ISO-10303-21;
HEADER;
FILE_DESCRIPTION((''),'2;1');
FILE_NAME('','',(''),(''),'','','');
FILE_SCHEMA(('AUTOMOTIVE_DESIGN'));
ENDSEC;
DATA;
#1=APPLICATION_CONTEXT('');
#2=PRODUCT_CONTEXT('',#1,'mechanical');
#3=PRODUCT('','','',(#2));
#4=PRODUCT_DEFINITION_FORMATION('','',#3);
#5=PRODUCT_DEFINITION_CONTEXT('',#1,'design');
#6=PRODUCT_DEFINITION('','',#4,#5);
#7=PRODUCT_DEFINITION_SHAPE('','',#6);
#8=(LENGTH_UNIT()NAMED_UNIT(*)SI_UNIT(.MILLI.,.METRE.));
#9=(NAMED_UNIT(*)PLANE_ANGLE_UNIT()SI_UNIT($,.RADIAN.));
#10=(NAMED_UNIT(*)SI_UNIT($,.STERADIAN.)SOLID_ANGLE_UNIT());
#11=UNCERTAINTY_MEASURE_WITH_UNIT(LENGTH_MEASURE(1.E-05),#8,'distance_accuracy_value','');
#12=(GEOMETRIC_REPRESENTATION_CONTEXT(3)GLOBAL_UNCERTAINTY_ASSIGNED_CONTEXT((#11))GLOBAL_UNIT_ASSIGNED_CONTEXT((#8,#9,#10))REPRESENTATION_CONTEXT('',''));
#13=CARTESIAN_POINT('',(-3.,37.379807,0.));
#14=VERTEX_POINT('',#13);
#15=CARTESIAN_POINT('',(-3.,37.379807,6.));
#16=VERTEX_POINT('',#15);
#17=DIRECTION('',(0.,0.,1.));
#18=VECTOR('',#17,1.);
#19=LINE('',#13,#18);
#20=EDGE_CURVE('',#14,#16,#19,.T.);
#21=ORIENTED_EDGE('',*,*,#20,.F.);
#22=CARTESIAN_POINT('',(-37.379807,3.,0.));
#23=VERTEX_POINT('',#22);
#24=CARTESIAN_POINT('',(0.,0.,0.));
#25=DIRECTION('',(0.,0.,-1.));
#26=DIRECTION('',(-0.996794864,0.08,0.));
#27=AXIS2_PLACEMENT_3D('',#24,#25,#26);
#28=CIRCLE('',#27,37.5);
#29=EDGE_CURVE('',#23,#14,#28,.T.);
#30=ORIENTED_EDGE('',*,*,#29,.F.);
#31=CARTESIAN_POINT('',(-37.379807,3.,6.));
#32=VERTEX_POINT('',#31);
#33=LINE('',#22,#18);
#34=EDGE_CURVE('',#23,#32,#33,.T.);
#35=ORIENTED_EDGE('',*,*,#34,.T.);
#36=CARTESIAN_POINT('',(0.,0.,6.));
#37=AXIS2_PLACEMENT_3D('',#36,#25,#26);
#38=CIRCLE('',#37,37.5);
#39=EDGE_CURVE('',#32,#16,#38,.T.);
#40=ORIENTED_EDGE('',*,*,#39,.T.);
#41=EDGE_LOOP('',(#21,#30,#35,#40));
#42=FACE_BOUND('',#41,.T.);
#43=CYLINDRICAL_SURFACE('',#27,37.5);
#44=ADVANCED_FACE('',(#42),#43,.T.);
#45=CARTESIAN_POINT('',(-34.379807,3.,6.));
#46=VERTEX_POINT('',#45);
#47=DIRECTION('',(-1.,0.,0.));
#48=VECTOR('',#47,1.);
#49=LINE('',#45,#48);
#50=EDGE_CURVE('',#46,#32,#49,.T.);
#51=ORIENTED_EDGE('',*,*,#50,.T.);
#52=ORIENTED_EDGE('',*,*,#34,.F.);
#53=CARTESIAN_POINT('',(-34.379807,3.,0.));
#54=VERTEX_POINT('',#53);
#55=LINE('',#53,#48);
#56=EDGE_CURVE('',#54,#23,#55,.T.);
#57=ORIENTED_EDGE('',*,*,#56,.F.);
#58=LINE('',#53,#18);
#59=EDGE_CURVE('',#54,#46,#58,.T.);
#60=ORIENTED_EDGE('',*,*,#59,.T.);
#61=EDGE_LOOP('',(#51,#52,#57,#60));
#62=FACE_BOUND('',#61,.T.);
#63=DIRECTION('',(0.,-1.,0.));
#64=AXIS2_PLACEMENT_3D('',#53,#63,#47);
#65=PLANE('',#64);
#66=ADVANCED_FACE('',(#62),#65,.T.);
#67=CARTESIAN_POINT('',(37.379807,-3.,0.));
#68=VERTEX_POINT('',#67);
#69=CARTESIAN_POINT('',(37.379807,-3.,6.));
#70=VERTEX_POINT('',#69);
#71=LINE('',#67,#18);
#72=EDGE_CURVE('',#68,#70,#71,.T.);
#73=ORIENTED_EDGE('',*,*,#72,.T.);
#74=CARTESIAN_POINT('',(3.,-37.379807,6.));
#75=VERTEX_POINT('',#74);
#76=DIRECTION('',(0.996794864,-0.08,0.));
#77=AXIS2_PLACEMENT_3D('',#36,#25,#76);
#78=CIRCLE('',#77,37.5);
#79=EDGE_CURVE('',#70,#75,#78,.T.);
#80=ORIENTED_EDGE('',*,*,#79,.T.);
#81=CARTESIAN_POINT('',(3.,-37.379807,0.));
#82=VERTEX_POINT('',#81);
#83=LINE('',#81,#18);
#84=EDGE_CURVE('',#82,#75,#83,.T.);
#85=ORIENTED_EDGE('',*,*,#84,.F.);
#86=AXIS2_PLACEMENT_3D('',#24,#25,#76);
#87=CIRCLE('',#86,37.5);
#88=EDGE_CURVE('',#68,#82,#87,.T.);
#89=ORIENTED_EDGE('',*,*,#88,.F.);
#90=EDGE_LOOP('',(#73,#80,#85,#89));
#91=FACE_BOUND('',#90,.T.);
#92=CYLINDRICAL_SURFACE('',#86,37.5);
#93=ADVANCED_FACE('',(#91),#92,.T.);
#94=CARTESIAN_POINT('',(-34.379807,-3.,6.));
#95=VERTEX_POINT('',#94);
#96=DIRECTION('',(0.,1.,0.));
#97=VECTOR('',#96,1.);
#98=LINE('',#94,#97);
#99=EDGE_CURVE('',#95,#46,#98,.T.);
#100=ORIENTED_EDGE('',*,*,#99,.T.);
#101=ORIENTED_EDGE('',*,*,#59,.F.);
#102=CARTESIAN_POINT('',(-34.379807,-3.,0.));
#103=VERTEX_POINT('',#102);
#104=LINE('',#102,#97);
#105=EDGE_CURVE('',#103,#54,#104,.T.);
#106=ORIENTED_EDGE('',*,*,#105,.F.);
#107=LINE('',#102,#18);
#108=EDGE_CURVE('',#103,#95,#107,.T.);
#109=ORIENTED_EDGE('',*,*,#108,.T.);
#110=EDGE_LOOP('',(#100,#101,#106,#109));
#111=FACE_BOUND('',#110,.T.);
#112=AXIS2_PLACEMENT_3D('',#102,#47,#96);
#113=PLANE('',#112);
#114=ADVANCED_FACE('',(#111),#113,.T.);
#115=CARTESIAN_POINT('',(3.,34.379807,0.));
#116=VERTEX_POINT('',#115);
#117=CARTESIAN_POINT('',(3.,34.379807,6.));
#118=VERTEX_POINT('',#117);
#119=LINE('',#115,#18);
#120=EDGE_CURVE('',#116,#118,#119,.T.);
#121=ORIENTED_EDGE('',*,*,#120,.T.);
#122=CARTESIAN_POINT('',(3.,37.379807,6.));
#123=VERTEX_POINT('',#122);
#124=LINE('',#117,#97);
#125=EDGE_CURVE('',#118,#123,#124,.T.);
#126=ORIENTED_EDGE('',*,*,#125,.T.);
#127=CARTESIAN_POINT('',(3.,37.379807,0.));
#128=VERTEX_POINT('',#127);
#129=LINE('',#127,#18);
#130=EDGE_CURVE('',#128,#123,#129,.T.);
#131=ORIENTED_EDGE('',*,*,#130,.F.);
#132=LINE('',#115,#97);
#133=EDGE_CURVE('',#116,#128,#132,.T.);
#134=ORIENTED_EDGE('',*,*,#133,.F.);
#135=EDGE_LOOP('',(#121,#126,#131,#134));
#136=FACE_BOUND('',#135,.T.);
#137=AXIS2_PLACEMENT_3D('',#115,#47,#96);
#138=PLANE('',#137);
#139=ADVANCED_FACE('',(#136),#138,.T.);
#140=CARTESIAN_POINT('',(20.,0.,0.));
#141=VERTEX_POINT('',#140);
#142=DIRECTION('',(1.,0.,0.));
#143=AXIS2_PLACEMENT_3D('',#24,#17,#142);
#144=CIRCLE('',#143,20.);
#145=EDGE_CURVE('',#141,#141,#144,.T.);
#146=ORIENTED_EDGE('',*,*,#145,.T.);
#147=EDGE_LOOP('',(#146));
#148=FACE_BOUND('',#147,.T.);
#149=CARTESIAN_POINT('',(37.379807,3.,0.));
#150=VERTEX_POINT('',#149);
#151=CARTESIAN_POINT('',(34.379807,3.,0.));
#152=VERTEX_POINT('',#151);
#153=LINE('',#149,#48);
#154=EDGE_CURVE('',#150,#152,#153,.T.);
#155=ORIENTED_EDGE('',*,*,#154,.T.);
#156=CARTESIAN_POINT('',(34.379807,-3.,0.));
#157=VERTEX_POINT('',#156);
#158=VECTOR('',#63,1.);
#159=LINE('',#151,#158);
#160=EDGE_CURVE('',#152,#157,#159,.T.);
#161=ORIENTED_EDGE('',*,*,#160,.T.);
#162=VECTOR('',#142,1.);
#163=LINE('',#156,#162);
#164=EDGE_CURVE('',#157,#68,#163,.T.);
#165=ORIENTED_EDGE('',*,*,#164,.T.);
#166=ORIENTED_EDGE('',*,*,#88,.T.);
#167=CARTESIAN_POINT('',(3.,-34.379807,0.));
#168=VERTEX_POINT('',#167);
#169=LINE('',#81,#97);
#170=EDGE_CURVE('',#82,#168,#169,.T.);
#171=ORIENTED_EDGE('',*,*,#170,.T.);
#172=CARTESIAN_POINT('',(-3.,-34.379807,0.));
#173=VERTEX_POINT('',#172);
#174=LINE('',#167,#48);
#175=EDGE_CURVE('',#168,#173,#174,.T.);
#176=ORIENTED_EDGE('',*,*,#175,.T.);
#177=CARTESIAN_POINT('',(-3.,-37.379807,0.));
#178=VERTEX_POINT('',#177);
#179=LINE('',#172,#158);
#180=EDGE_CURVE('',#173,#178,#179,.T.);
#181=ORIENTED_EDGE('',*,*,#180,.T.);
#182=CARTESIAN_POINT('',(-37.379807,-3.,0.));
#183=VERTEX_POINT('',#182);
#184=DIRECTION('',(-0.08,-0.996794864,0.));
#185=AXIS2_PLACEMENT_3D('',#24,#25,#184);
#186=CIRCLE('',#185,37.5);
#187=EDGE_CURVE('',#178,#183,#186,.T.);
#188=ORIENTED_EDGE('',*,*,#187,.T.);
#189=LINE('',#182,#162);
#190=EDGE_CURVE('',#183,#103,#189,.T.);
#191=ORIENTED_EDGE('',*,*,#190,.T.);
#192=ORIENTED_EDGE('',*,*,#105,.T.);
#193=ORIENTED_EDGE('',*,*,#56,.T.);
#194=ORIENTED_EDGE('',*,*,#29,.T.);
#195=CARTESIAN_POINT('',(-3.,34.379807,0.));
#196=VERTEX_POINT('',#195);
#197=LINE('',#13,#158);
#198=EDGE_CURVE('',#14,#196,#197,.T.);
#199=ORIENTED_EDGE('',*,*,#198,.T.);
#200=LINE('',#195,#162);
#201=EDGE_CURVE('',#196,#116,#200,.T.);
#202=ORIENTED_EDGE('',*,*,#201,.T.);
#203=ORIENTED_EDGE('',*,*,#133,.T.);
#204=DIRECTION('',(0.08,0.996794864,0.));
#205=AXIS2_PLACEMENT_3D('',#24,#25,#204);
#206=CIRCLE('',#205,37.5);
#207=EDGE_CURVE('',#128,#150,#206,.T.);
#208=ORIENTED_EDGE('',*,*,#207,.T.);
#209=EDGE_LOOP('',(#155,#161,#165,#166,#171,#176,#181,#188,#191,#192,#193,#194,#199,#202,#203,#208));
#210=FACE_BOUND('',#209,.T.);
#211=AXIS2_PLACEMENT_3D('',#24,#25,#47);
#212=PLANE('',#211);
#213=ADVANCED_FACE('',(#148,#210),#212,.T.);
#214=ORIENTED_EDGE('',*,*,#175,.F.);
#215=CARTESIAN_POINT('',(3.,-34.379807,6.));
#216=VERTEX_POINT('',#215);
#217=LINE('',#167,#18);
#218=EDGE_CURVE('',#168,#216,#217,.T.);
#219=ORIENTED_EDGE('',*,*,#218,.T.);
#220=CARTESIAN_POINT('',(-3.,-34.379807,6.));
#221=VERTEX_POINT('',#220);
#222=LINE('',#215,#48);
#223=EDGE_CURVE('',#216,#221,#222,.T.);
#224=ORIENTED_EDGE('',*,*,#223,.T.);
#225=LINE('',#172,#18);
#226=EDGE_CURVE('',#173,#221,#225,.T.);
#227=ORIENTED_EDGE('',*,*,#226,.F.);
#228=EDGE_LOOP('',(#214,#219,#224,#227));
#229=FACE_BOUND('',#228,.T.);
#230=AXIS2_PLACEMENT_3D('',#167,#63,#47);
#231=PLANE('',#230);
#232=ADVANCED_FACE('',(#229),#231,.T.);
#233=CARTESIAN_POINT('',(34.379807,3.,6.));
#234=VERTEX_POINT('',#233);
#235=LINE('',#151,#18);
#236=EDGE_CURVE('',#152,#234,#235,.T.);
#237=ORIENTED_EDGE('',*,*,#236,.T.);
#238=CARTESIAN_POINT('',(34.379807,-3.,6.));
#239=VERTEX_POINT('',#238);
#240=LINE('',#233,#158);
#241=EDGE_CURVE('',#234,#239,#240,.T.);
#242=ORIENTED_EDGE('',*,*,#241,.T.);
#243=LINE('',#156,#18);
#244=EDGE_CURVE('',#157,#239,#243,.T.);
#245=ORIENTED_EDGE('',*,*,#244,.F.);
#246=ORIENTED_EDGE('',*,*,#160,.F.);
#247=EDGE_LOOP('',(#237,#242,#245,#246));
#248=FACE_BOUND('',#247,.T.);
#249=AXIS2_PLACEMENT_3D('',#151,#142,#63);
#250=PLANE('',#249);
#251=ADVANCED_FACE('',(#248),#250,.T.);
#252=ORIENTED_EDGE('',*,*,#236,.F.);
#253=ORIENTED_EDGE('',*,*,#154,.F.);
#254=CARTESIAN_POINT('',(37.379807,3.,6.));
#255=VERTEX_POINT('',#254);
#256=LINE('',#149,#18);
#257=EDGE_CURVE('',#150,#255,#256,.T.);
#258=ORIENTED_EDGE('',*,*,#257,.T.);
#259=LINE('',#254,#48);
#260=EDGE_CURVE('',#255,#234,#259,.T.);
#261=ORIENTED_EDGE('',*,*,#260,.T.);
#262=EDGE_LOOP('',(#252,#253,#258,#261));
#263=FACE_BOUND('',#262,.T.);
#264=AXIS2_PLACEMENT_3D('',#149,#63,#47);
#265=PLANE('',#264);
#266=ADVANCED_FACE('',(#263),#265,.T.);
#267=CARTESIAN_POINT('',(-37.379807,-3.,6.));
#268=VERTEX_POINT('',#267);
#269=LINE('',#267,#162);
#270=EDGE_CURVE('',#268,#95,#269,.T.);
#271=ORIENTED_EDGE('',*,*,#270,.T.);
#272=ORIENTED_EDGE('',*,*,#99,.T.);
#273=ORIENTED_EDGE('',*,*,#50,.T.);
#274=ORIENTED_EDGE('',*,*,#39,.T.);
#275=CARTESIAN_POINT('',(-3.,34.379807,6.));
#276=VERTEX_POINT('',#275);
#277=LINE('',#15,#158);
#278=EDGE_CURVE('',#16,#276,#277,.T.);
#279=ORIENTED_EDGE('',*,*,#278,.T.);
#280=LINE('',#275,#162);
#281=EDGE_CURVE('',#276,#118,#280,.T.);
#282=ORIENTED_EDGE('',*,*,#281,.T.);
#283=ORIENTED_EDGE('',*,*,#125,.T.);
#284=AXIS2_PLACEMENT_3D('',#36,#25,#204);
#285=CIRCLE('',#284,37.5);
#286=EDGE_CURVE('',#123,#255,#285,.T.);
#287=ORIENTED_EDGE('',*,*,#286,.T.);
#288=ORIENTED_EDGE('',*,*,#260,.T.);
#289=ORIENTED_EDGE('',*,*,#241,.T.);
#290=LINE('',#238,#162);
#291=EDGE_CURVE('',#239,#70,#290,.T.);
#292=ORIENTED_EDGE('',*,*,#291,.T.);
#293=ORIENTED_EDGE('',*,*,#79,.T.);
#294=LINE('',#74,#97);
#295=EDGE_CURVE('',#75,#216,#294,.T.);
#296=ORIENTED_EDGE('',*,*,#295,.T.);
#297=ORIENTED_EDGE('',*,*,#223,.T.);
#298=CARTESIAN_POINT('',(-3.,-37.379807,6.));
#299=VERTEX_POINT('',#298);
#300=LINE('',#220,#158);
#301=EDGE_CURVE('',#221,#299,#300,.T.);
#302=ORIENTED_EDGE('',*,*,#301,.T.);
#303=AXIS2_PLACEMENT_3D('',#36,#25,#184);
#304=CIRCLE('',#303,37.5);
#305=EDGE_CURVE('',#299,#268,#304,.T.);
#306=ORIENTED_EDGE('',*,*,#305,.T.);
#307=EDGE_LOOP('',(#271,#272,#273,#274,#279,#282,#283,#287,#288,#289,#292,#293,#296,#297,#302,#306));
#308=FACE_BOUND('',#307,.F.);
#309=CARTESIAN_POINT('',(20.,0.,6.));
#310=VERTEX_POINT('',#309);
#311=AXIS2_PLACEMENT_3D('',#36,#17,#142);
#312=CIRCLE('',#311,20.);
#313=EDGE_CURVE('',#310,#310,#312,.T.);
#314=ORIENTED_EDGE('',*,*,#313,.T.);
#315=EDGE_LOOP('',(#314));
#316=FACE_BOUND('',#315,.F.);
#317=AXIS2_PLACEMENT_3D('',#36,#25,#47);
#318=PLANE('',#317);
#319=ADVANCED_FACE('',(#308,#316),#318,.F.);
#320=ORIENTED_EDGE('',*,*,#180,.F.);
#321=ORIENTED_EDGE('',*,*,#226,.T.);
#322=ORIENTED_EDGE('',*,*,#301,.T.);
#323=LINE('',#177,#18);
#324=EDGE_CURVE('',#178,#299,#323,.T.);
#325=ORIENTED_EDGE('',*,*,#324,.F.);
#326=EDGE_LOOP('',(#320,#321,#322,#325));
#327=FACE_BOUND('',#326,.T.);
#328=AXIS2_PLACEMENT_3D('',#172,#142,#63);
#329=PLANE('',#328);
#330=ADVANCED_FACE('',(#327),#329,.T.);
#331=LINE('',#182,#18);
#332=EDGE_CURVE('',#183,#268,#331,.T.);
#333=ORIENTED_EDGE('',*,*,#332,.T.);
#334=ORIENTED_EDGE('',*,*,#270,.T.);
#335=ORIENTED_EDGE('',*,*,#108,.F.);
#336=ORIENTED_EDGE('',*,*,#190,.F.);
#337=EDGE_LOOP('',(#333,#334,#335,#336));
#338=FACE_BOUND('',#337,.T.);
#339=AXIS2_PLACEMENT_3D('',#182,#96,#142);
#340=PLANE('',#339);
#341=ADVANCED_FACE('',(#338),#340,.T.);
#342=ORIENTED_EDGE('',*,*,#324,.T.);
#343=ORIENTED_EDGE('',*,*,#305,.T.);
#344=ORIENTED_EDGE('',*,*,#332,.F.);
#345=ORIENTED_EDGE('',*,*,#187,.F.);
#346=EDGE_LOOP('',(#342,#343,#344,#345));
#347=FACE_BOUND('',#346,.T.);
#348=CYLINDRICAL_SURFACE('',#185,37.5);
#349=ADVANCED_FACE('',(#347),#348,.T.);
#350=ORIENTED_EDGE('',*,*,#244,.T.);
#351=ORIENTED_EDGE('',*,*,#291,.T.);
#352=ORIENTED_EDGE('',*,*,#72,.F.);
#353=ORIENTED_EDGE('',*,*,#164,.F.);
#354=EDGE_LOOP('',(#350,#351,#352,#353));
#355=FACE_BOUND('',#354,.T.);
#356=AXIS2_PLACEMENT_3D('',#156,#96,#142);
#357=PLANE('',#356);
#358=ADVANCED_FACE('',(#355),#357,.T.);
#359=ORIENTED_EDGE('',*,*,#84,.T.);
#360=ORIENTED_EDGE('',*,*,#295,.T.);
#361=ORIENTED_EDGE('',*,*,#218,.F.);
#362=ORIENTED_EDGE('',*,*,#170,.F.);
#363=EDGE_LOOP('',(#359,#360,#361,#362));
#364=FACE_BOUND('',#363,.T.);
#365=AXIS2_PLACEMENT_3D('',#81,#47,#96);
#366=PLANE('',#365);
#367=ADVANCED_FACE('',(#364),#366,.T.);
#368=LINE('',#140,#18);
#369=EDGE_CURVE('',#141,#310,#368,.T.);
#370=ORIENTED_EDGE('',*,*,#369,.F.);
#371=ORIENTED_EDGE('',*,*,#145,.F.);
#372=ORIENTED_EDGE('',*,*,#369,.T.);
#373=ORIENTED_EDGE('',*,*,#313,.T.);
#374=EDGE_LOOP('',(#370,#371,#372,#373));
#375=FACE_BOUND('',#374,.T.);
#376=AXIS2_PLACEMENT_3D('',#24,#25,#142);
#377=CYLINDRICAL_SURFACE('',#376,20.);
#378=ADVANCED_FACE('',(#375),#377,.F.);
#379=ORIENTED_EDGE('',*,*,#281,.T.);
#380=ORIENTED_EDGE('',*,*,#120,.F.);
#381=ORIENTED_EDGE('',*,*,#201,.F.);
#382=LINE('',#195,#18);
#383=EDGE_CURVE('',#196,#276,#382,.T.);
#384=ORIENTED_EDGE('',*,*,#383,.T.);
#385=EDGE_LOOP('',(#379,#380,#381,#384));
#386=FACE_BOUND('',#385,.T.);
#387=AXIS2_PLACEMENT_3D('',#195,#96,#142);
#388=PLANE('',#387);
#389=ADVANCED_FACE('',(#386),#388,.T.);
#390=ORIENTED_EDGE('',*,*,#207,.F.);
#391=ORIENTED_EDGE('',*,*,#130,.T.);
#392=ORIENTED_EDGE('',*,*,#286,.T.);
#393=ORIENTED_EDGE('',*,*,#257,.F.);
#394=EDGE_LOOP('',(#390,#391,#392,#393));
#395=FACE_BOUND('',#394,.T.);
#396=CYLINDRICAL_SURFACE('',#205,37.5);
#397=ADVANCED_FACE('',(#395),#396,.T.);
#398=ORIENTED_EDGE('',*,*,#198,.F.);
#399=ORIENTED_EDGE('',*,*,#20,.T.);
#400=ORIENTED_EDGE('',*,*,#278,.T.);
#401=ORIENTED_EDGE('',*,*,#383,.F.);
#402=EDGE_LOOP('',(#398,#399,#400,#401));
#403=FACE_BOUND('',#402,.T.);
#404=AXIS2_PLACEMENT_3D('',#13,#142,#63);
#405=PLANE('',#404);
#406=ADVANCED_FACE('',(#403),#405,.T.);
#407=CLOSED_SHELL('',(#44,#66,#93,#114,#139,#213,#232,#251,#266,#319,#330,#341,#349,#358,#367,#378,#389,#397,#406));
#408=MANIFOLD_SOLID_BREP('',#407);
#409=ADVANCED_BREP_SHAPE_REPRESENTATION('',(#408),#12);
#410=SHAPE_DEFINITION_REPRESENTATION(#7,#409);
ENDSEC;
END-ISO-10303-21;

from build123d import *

# Parameters (mm, degrees)
SKETCH_1_R      = 20
EXTRUDE_1_DEPTH = 6


with BuildPart() as part:
    # 草图1 → 拉伸1 (new body)
    with BuildSketch(Plane.XY):
        with BuildLine():
            Line((34.379807383, -3), (37.379807383, -3))
            ThreePointArc((37.379807383, -3), (26.516504294, -26.516504294), (3, -37.379807383))
            Line((3, -37.379807383), (3, -34.379807383))
            Line((3, -34.379807383), (-3, -34.379807383))
            Line((-3, -34.379807383), (-3, -37.379807383))
            ThreePointArc((-3, -37.379807383), (-26.516504294, -26.516504294), (-37.379807383, -3))
            Line((-37.379807383, -3), (-34.379807383, -3))
            Line((-34.379807383, -3), (-34.379807383, 3))
            Line((-34.379807383, 3), (-37.379807383, 3))
            ThreePointArc((-37.379807383, 3), (-26.516504294, 26.516504294), (-3, 37.379807383))
            Line((-3, 37.379807383), (-3, 34.379807383))
            Line((-3, 34.379807383), (3, 34.379807383))
            Line((3, 34.379807383), (3, 37.379807383))
            ThreePointArc((3, 37.379807383), (26.516504294, 26.516504294), (37.379807383, 3))
            Line((37.379807383, 3), (34.379807383, 3))
            Line((34.379807383, 3), (34.379807383, -3))
        make_face()
        Circle(SKETCH_1_R, mode=Mode.SUBTRACT)
    extrude(amount=EXTRUDE_1_DEPTH)


solid = part.part
